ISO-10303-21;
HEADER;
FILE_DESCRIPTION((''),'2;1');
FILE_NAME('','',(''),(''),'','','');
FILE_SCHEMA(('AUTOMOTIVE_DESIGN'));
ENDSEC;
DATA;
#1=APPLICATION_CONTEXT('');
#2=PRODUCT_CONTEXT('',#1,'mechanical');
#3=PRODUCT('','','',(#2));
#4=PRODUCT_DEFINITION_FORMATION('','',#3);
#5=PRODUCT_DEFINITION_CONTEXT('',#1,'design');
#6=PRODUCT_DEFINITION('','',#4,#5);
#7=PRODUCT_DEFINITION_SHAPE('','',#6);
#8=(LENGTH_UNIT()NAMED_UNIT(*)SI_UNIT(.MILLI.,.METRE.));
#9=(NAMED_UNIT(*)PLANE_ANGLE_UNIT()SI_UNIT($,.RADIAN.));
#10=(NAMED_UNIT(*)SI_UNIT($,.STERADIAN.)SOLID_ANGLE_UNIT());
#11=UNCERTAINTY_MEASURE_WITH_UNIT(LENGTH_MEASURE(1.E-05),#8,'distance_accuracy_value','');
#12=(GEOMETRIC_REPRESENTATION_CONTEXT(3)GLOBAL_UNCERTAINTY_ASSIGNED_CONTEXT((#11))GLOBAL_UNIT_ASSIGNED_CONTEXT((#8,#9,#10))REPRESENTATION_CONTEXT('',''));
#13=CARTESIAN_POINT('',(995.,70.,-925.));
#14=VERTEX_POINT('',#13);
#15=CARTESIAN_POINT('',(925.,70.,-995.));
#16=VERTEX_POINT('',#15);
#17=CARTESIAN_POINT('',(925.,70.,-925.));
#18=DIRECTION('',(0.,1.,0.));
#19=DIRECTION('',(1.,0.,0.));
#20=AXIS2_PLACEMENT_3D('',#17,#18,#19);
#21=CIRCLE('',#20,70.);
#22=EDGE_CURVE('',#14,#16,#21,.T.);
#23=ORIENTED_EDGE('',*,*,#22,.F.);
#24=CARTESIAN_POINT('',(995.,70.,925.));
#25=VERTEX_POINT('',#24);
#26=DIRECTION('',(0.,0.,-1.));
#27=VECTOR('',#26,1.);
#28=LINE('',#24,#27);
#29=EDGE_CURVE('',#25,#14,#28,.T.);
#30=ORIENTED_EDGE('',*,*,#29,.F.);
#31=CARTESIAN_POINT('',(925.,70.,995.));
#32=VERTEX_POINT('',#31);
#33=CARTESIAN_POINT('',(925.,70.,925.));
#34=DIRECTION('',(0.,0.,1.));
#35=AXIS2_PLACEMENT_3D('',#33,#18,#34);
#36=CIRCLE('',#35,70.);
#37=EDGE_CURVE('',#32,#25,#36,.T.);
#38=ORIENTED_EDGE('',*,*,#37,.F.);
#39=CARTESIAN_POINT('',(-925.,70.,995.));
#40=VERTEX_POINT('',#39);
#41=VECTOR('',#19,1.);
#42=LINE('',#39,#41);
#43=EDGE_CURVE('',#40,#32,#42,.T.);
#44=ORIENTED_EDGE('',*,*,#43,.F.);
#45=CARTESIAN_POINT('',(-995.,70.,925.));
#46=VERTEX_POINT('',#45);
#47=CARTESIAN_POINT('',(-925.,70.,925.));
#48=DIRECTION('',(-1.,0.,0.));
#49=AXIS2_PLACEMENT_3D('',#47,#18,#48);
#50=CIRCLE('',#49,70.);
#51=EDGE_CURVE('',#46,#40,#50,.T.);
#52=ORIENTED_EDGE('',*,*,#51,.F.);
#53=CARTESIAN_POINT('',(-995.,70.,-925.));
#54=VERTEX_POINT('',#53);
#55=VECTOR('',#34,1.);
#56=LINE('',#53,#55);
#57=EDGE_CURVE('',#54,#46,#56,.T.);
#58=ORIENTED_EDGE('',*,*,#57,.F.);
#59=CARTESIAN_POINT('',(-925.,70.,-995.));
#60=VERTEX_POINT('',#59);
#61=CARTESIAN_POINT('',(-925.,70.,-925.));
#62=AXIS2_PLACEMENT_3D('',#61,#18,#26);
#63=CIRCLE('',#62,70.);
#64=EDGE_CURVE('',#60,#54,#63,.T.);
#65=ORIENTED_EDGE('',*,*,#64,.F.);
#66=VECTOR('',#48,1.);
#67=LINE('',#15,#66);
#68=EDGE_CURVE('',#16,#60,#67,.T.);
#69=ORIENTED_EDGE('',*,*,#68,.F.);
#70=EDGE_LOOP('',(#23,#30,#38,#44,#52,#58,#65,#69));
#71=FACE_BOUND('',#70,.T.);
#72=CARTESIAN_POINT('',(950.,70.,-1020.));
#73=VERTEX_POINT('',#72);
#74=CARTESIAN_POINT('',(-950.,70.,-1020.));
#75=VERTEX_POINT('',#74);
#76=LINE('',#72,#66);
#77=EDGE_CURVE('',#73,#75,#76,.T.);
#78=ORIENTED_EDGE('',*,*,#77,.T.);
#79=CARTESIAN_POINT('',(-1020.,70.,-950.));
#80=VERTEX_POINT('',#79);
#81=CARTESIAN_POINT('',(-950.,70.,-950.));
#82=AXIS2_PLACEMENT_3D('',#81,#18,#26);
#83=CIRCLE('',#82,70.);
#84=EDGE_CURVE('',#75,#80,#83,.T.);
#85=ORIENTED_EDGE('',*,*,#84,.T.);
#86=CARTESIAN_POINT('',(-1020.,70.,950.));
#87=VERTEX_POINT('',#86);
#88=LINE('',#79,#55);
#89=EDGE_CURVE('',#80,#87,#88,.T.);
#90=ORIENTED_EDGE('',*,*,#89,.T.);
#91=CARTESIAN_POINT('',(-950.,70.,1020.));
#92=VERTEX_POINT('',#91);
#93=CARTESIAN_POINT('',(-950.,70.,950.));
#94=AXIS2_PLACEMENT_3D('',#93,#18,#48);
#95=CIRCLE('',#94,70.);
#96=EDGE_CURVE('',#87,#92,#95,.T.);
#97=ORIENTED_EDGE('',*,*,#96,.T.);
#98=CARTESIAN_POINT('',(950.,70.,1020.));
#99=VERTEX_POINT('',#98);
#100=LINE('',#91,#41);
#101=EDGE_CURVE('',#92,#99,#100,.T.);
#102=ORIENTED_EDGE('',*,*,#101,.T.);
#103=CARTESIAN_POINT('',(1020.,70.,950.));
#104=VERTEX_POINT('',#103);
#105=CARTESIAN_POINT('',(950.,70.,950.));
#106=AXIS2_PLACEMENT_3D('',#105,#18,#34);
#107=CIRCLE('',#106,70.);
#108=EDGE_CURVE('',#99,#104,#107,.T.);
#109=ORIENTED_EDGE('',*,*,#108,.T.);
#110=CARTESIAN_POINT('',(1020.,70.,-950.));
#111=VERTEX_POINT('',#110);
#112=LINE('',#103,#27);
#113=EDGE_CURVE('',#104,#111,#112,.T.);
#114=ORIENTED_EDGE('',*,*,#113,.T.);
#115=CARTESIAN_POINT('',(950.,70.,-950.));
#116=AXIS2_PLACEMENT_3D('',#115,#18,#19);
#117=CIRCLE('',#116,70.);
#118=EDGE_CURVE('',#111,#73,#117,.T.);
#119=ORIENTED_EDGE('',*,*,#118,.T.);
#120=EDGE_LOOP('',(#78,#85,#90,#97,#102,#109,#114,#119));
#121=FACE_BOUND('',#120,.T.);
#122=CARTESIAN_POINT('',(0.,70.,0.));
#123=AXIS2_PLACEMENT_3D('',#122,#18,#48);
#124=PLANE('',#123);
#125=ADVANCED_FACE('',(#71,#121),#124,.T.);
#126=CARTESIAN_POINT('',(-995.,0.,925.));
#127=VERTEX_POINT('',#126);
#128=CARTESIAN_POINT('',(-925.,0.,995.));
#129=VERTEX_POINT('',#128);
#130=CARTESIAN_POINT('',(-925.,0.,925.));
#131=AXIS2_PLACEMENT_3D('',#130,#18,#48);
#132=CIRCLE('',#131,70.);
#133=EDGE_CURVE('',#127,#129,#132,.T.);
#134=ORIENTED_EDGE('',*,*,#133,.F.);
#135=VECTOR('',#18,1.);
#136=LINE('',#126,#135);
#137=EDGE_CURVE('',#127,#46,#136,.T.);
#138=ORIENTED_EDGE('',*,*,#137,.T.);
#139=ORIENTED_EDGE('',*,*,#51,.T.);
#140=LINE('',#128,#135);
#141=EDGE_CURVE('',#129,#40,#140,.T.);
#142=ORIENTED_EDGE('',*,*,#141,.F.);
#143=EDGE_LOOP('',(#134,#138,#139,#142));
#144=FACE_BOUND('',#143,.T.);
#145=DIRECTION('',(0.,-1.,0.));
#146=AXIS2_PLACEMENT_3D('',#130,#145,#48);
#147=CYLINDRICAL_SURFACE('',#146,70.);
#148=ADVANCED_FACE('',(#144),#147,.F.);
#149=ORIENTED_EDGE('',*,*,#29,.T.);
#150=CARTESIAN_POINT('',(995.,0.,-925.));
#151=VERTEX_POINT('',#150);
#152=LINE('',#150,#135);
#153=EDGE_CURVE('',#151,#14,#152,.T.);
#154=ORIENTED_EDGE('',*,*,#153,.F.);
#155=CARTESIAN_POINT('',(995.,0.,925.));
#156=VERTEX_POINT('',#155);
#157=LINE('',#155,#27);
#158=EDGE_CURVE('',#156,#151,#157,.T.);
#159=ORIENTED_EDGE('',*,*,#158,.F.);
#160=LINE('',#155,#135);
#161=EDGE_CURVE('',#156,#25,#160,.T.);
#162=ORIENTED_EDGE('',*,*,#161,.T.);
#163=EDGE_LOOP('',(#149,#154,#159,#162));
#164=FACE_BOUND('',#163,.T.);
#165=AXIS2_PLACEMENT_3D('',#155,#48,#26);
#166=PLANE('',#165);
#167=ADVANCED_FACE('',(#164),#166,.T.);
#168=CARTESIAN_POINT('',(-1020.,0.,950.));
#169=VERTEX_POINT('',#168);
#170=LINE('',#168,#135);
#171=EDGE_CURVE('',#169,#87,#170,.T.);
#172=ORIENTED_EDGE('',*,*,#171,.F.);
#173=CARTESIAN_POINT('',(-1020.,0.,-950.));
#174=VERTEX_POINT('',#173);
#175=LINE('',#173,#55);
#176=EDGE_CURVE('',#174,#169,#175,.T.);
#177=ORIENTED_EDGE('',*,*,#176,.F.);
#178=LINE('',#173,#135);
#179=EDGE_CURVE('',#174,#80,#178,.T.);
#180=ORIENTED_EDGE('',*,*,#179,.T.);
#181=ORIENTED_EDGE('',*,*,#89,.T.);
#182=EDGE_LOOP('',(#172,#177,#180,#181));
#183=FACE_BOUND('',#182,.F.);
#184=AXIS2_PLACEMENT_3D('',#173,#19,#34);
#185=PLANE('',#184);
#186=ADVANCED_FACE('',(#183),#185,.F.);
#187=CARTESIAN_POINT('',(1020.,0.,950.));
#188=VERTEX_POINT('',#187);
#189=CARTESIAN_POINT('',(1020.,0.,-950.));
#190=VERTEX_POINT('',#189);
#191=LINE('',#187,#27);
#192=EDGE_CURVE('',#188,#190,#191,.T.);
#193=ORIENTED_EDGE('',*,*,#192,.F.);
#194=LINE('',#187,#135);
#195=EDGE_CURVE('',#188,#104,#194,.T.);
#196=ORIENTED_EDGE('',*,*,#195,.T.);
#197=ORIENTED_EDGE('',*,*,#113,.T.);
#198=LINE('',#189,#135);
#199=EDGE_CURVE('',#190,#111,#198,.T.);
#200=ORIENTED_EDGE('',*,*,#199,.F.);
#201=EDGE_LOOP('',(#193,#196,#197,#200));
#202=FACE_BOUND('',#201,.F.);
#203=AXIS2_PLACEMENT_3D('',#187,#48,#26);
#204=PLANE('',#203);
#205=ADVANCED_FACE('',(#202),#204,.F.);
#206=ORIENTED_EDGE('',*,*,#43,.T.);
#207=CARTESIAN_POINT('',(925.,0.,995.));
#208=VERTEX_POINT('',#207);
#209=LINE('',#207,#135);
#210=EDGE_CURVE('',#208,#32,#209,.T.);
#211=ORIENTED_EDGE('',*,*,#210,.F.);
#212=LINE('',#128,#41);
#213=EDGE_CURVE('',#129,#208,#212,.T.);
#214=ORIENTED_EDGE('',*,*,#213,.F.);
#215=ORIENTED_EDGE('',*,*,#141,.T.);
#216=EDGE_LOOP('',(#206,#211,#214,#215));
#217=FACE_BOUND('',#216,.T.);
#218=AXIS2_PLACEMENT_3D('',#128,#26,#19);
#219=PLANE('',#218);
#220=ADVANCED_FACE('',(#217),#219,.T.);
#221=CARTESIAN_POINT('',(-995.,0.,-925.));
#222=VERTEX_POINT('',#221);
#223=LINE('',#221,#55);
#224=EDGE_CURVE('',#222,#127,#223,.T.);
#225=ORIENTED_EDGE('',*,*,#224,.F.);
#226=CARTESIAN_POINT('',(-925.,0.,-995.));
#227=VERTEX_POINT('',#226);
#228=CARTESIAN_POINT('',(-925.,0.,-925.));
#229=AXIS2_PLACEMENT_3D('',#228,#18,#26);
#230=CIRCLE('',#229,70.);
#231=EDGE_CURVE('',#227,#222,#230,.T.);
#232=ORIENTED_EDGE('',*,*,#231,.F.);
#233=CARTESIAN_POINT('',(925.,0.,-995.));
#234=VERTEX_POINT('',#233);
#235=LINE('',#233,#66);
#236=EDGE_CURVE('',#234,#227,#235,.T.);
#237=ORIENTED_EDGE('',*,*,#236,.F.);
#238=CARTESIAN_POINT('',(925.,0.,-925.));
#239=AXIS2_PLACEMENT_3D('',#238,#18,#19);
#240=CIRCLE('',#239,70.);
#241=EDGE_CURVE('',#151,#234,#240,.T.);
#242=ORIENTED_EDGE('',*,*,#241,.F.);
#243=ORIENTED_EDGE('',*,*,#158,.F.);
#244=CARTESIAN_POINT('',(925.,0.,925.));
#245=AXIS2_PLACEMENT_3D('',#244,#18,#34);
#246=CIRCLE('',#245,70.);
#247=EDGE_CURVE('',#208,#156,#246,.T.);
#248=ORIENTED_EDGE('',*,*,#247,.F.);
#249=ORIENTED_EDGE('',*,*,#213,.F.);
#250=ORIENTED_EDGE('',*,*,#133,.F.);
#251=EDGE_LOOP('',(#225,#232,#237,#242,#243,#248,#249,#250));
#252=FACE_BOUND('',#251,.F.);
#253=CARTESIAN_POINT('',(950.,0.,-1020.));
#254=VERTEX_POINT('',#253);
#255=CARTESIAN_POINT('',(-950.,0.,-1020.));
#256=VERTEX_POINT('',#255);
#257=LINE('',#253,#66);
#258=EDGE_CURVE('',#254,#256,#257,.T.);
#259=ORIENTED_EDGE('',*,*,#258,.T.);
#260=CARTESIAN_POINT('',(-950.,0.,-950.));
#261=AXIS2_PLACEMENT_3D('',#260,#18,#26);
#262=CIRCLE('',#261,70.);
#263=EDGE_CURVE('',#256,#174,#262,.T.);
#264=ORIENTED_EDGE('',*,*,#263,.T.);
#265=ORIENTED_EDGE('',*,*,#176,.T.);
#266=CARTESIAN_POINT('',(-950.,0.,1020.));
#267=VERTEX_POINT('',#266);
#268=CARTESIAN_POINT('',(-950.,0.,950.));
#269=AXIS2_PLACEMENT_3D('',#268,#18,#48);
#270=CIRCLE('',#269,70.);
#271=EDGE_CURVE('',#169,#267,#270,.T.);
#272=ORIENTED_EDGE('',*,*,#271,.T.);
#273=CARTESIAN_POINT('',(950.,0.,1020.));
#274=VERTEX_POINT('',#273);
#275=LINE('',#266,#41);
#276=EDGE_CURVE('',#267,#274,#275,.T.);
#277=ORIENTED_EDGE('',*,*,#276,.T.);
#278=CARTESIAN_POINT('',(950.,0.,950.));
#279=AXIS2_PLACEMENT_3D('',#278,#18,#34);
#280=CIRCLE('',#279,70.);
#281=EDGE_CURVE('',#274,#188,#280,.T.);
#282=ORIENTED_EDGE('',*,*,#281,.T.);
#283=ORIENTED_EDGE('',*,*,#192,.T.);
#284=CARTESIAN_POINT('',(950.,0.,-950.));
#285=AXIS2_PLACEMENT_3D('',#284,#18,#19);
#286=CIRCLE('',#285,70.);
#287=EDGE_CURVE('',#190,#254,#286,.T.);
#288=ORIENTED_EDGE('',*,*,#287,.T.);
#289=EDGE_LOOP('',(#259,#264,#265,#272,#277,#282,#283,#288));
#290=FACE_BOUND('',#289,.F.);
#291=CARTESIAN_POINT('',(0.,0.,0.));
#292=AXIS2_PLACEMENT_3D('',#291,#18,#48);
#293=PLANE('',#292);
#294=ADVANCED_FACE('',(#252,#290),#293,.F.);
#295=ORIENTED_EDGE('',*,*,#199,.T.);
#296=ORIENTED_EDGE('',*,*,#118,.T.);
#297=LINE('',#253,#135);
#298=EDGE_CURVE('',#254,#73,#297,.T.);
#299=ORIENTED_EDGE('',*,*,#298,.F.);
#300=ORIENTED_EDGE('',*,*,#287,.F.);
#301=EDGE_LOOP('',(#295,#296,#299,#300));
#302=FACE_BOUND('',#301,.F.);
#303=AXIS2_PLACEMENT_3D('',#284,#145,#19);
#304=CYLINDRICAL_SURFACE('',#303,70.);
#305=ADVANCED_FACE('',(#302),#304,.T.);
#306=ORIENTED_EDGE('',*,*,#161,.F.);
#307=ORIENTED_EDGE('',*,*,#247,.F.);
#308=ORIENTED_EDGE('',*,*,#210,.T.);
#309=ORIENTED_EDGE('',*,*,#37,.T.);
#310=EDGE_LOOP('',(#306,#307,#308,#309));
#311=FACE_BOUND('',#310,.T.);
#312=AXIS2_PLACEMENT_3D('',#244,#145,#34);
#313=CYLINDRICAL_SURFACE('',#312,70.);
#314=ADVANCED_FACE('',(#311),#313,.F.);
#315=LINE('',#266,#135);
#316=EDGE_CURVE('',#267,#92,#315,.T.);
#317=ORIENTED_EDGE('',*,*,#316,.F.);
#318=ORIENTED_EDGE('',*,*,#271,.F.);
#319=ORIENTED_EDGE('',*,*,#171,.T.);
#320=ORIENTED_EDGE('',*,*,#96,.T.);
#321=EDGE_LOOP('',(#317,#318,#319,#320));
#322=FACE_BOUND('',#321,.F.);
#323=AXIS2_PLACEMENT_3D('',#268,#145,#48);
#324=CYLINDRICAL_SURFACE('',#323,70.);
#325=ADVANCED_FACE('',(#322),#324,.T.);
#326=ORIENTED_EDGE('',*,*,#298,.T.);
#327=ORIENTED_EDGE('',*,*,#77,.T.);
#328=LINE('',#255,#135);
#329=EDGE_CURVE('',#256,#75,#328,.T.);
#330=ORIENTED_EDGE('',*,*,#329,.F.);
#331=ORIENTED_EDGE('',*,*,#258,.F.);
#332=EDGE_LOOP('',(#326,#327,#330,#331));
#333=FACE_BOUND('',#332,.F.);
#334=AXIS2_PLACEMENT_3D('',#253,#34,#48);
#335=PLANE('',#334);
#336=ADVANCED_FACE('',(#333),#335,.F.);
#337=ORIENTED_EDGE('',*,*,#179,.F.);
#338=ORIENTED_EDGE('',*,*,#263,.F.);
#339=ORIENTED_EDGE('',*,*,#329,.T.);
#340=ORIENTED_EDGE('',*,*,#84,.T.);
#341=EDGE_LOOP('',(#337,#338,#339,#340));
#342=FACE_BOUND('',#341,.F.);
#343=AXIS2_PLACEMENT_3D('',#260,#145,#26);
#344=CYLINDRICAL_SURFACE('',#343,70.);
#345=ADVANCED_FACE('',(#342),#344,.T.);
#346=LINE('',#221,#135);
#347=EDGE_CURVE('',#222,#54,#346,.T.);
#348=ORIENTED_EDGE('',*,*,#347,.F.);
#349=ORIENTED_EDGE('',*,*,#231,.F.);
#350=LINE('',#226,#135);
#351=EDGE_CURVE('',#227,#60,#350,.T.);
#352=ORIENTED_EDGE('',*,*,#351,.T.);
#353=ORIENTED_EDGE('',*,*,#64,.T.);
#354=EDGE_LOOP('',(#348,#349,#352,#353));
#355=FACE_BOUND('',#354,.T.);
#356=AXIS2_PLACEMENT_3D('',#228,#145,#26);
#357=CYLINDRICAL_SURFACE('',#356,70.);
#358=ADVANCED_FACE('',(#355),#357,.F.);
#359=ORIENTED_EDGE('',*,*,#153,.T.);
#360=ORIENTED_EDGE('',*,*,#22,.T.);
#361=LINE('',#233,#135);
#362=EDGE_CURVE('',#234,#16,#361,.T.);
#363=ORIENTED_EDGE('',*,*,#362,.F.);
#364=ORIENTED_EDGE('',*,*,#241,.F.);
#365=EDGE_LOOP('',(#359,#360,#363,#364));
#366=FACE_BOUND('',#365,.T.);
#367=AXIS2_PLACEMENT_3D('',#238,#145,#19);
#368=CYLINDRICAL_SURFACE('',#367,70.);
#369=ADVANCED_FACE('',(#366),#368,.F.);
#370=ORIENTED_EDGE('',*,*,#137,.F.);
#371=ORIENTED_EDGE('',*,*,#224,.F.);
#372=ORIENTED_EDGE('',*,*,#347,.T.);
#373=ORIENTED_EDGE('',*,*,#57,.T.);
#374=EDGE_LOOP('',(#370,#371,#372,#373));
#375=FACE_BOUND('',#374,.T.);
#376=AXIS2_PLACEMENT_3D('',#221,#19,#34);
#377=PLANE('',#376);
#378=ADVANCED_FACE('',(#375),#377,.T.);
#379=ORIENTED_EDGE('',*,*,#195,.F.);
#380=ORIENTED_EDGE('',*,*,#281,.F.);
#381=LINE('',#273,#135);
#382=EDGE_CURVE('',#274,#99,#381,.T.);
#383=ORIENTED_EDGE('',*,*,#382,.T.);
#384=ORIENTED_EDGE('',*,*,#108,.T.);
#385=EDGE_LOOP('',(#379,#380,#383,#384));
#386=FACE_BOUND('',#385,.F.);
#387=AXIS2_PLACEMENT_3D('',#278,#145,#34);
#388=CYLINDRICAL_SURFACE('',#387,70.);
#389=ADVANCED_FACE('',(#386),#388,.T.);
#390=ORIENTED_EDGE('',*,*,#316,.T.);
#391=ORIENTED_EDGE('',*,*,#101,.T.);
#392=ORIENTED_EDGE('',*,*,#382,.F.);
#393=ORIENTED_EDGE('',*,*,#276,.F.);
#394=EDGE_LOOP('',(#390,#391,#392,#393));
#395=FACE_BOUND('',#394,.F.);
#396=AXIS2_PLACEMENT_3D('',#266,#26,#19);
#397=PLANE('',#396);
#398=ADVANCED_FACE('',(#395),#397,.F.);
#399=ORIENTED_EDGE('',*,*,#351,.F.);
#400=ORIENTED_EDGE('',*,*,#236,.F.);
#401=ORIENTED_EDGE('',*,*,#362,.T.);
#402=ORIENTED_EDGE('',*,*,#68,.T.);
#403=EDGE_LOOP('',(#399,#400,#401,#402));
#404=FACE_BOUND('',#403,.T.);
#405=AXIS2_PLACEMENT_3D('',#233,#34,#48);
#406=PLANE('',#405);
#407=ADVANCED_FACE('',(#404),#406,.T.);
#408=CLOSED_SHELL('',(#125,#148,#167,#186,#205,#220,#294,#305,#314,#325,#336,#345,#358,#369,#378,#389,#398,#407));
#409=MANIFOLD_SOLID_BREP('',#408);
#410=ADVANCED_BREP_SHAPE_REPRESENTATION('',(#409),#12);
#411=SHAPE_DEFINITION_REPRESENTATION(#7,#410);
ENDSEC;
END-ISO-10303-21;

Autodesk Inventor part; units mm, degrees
ref_plane "YZ Plane" through (0, 0, 0) normal (1, 0, 0) x (0, 1, 0)
ref_plane "XZ Plane" through (0, 0, 0) normal (0, 1, 0) x (-1, 0, 0)
ref_plane "XY Plane" through (0, 0, 0) normal (0, 0, 1) x (1, 0, 0)
sketch "Sketch1" plane through (0, 0, 0) normal (0, 1, 0) x (-1, 0, 0)
  line L0 (-950, -1020) -> (950, -1020)
  line L1 (1020, -950) -> (1020, 950)
  line L2 (950, 1020) -> (-950, 1020)
  line L3 (-1020, 950) -> (-1020, -950)
  line L4 (-1020, -1020) -> (1020, 1020) construction
  line L5 (1020, -1020) -> (-1020, 1020) construction
  line L6 (-925, -995) -> (925, -995)
  line L7 (995, -925) -> (995, 925)
  line L8 (925, 995) -> (-925, 995)
  line L9 (-995, 925) -> (-995, -925)
  line L10 (-995, -995) -> (995, 995) construction
  line L11 (995, -995) -> (-995, 995) construction
  arc A0 (995, 925) -> (925, 995) centre (925, 925) ccw
  arc A1 (1020, 950) -> (950, 1020) centre (950, 950) ccw
  arc A2 (925, -995) -> (995, -925) centre (925, -925) ccw
  arc A3 (950, -1020) -> (1020, -950) centre (950, -950) ccw
  arc A4 (-995, -925) -> (-925, -995) centre (-925, -925) ccw
  arc A5 (-1020, -950) -> (-950, -1020) centre (-950, -950) ccw
  arc A6 (-925, 995) -> (-995, 925) centre (-925, 925) ccw
  arc A7 (-950, 1020) -> (-1020, 950) centre (-950, 950) ccw
  point P0 (0, 0)
  dimension "d0" = 2040
  dimension "d1" = 2040
  dimension "d2" = 1990
  dimension "d3" = 1990
  dimension "d4" = 70
extrude "Extrusion1" add sketch "Sketch1" along normal blind 70
properties part number "Coil5or6"
